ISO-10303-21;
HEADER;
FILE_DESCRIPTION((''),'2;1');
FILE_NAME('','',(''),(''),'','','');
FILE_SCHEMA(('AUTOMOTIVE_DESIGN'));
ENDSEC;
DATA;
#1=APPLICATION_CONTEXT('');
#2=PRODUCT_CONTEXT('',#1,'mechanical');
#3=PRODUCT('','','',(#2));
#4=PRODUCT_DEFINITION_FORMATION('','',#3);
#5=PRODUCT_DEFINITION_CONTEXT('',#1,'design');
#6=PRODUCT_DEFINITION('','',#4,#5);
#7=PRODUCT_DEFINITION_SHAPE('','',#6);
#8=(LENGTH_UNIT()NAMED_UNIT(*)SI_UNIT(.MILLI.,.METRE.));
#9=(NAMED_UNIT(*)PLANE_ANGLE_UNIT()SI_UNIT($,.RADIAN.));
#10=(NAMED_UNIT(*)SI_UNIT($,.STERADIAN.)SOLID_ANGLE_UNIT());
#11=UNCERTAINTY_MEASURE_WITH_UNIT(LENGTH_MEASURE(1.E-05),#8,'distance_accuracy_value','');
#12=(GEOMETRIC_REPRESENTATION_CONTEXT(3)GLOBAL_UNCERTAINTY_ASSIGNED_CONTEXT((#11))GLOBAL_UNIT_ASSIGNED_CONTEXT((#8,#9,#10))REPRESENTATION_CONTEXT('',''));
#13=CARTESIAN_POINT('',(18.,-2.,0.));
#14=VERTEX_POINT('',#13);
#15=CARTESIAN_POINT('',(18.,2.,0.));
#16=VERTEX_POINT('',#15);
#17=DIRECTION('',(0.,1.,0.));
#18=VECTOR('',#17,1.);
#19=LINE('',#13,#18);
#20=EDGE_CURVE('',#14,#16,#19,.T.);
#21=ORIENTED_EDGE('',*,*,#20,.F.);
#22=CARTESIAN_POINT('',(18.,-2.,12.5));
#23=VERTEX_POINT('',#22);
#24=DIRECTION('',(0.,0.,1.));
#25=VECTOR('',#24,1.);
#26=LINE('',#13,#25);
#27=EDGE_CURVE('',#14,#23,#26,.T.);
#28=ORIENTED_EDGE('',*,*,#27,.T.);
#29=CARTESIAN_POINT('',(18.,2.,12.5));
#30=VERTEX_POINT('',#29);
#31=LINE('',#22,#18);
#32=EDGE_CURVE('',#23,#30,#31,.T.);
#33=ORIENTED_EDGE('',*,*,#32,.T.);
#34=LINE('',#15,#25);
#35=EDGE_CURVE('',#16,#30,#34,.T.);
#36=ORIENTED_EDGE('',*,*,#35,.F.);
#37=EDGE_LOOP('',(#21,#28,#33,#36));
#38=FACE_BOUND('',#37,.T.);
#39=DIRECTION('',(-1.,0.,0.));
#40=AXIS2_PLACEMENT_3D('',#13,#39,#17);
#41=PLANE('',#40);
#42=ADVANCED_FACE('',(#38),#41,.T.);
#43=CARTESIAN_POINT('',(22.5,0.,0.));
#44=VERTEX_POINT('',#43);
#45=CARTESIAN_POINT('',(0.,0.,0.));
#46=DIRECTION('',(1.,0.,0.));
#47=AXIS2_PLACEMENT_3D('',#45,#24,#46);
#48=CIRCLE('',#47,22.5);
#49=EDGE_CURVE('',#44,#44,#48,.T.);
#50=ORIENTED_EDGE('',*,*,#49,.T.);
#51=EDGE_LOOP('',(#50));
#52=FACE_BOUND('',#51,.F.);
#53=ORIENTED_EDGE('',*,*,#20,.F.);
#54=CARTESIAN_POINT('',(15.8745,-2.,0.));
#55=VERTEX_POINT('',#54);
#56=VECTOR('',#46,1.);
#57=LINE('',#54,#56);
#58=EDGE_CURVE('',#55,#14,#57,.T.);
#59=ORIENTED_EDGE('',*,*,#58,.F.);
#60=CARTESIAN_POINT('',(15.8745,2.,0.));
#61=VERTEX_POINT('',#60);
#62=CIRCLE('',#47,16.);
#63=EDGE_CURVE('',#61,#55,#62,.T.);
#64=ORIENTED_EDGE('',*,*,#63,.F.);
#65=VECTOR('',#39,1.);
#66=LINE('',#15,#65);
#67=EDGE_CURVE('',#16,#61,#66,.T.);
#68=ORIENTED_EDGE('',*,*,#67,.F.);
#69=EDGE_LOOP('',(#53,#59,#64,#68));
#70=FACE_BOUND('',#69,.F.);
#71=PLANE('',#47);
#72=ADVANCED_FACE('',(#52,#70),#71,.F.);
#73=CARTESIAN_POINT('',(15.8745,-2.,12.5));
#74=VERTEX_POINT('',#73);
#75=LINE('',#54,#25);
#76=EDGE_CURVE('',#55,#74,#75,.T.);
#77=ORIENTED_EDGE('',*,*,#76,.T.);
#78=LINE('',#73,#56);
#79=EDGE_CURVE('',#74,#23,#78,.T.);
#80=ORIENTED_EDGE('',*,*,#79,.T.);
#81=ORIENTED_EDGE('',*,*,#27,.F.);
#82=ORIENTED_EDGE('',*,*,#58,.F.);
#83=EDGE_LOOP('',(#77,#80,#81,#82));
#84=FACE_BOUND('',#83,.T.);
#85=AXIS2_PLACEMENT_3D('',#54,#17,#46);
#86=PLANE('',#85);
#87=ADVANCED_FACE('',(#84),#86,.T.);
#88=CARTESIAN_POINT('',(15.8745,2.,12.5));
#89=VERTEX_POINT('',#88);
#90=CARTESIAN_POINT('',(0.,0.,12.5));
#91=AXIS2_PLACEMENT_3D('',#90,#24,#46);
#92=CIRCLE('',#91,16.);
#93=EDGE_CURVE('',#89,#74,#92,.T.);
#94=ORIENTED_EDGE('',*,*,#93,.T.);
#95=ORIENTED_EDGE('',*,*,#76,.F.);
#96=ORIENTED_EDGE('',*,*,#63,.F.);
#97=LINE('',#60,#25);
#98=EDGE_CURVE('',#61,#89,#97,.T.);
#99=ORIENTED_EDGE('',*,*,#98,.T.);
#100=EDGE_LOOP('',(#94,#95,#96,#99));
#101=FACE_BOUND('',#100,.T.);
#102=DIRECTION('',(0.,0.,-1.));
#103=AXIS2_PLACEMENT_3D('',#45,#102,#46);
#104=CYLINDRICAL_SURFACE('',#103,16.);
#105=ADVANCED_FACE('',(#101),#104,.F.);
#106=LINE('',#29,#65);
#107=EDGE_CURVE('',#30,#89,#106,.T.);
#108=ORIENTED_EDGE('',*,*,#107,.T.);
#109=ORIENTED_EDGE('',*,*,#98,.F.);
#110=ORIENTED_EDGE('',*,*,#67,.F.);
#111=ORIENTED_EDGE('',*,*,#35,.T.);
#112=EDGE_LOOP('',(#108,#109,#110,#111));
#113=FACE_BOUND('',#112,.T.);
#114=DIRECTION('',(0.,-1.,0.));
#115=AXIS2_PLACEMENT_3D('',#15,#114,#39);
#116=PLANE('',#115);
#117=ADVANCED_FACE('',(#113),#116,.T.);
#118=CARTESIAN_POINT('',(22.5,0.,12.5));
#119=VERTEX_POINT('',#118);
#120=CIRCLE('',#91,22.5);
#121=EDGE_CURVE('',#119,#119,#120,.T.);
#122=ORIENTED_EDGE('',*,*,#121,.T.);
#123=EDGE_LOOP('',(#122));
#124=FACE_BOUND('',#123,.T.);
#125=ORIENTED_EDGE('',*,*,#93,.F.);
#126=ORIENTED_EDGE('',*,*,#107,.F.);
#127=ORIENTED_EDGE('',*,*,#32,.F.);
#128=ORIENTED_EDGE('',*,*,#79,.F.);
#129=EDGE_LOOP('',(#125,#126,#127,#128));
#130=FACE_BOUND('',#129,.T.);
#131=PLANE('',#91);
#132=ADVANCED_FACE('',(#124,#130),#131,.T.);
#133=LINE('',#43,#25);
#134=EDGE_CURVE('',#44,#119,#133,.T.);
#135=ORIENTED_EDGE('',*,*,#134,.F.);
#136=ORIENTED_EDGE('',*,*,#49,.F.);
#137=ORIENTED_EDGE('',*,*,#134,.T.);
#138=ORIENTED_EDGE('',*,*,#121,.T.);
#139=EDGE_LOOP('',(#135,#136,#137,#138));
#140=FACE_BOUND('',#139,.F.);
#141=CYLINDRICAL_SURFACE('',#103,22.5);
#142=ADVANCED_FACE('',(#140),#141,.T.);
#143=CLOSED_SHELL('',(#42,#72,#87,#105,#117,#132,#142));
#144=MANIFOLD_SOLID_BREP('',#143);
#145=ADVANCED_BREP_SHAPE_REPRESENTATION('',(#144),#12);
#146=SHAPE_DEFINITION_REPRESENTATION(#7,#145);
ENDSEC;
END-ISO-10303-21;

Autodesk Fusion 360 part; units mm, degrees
sketch "Sketch1" plane through (0, 0, 0) normal (0, 0, 1) x (1, 0, 0)
  circle A0 centre (0, 0) radius 16
  line L0 (0, 0) -> (16, 0)
  line L1 (15.8745, -2) -> (18, -2)
  line L2 (18, -2) -> (18, 2)
  line L3 (18, 2) -> (15.8745, 2)
  circle A1 centre (0, 0) radius 22.5
  dimension "d1" = 32
extrude "Extrude1" add sketch "Sketch1" along normal blind 12.5
